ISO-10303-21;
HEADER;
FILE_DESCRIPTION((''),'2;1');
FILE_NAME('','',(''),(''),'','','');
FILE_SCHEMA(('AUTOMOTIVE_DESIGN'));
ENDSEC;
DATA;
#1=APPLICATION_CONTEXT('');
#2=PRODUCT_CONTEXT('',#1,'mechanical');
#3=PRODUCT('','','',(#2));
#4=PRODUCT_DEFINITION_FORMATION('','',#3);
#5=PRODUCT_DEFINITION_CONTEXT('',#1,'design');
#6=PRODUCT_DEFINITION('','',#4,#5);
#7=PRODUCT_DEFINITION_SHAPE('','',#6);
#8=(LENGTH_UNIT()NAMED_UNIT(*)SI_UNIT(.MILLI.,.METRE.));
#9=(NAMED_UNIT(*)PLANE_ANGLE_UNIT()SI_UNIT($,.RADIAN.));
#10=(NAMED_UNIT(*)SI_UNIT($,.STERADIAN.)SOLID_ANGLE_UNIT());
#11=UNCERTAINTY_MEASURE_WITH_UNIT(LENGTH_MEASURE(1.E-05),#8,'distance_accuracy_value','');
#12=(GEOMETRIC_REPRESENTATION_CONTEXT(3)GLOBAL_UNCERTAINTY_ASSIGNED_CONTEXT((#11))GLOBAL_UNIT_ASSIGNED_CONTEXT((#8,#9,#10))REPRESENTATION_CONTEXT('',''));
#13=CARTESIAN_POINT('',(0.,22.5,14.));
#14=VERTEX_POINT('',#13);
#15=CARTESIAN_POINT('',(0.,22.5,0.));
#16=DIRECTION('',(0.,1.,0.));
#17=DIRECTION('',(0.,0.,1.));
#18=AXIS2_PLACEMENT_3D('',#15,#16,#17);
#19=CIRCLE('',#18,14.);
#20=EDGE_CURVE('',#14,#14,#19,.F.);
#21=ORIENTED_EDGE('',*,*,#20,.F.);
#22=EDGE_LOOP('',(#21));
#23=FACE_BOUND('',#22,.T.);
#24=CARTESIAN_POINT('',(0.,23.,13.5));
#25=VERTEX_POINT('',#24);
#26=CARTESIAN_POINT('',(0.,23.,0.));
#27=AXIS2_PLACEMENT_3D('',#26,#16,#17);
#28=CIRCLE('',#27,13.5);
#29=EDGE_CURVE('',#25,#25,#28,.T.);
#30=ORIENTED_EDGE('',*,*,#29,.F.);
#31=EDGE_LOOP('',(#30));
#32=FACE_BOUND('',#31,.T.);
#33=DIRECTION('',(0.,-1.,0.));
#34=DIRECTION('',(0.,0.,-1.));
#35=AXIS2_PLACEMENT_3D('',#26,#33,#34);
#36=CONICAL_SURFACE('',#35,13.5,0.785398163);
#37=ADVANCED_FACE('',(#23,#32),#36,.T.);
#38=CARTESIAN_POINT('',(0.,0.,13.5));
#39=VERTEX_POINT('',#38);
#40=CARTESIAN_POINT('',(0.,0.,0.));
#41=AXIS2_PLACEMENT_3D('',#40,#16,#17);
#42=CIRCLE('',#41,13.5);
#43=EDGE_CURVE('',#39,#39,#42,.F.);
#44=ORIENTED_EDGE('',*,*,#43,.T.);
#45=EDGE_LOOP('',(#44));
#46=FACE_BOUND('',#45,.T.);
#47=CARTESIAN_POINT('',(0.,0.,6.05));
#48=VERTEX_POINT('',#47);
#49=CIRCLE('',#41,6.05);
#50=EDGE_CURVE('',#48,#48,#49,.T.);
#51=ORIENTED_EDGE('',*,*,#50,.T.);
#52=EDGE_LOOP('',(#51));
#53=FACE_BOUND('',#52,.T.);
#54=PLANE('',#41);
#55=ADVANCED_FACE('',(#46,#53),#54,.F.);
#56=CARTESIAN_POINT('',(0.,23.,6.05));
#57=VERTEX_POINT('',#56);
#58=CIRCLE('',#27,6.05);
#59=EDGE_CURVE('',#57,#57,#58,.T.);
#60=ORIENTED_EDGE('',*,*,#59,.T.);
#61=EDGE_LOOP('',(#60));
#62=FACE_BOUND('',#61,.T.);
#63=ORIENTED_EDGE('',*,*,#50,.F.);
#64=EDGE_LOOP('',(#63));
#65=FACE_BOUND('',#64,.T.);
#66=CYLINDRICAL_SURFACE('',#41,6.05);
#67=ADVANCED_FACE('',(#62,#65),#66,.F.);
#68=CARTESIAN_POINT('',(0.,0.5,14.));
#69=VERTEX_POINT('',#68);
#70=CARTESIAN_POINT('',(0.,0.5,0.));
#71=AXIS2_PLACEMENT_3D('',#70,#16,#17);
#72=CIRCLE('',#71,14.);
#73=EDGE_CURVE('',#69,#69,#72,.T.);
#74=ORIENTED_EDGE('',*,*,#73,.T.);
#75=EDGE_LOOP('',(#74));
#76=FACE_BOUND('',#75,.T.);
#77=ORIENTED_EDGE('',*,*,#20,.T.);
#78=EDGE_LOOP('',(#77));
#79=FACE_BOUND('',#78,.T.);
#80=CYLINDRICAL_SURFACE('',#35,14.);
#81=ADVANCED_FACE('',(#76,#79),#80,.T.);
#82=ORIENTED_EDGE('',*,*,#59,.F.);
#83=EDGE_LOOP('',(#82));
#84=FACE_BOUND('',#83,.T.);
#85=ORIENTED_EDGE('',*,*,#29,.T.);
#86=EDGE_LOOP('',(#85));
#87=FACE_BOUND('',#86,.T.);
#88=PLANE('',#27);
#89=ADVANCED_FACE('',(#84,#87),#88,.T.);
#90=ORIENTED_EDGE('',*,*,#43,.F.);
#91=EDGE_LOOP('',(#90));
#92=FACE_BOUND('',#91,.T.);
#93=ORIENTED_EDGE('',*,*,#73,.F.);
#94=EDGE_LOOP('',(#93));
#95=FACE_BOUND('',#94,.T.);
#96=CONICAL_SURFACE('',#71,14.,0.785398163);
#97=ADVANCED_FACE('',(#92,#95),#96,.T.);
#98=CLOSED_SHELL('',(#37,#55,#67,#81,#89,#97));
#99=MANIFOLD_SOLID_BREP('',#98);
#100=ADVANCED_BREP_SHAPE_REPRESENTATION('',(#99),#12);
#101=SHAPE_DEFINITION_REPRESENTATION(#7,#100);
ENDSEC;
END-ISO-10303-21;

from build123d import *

# Parameters (mm, degrees)
SKETCH2_R           = 14
BOSS_EXTRUDE1_DEPTH = 23
SKETCH3_R           = 6.05
CUT_EXTRUDE1_DEPTH  = 31.347981811
CHAMFER1_SIZE       = 0.5


with BuildPart() as part:
    # Sketch2 → Boss-Extrude1 (new body)
    with BuildSketch(Plane(origin=(0, 0, 0), x_dir=(1, 0, 0), z_dir=(0, 1, 0))):
        with Locations(Location((0, 0, 0), (0, 0, 270))):
            Circle(SKETCH2_R)
    extrude(amount=BOSS_EXTRUDE1_DEPTH)

    # Sketch3 → Cut-Extrude1 (cut, through all)
    with BuildSketch(Plane(origin=(0, 23, 0), x_dir=(1, 0, 0), z_dir=(0, 1, 0))):
        with Locations(Location((0, 0, 0), (0, 0, 270))):
            Circle(SKETCH3_R)
    extrude(amount=-CUT_EXTRUDE1_DEPTH, mode=Mode.SUBTRACT)

    # Chamfer1
    chamfer1_edges = [part.edges().sort_by_distance(p)[0] for p in [
        (0, 0, -14),
        (0, 23, -14),
    ]]
    chamfer(chamfer1_edges, length=CHAMFER1_SIZE)


solid = part.part
